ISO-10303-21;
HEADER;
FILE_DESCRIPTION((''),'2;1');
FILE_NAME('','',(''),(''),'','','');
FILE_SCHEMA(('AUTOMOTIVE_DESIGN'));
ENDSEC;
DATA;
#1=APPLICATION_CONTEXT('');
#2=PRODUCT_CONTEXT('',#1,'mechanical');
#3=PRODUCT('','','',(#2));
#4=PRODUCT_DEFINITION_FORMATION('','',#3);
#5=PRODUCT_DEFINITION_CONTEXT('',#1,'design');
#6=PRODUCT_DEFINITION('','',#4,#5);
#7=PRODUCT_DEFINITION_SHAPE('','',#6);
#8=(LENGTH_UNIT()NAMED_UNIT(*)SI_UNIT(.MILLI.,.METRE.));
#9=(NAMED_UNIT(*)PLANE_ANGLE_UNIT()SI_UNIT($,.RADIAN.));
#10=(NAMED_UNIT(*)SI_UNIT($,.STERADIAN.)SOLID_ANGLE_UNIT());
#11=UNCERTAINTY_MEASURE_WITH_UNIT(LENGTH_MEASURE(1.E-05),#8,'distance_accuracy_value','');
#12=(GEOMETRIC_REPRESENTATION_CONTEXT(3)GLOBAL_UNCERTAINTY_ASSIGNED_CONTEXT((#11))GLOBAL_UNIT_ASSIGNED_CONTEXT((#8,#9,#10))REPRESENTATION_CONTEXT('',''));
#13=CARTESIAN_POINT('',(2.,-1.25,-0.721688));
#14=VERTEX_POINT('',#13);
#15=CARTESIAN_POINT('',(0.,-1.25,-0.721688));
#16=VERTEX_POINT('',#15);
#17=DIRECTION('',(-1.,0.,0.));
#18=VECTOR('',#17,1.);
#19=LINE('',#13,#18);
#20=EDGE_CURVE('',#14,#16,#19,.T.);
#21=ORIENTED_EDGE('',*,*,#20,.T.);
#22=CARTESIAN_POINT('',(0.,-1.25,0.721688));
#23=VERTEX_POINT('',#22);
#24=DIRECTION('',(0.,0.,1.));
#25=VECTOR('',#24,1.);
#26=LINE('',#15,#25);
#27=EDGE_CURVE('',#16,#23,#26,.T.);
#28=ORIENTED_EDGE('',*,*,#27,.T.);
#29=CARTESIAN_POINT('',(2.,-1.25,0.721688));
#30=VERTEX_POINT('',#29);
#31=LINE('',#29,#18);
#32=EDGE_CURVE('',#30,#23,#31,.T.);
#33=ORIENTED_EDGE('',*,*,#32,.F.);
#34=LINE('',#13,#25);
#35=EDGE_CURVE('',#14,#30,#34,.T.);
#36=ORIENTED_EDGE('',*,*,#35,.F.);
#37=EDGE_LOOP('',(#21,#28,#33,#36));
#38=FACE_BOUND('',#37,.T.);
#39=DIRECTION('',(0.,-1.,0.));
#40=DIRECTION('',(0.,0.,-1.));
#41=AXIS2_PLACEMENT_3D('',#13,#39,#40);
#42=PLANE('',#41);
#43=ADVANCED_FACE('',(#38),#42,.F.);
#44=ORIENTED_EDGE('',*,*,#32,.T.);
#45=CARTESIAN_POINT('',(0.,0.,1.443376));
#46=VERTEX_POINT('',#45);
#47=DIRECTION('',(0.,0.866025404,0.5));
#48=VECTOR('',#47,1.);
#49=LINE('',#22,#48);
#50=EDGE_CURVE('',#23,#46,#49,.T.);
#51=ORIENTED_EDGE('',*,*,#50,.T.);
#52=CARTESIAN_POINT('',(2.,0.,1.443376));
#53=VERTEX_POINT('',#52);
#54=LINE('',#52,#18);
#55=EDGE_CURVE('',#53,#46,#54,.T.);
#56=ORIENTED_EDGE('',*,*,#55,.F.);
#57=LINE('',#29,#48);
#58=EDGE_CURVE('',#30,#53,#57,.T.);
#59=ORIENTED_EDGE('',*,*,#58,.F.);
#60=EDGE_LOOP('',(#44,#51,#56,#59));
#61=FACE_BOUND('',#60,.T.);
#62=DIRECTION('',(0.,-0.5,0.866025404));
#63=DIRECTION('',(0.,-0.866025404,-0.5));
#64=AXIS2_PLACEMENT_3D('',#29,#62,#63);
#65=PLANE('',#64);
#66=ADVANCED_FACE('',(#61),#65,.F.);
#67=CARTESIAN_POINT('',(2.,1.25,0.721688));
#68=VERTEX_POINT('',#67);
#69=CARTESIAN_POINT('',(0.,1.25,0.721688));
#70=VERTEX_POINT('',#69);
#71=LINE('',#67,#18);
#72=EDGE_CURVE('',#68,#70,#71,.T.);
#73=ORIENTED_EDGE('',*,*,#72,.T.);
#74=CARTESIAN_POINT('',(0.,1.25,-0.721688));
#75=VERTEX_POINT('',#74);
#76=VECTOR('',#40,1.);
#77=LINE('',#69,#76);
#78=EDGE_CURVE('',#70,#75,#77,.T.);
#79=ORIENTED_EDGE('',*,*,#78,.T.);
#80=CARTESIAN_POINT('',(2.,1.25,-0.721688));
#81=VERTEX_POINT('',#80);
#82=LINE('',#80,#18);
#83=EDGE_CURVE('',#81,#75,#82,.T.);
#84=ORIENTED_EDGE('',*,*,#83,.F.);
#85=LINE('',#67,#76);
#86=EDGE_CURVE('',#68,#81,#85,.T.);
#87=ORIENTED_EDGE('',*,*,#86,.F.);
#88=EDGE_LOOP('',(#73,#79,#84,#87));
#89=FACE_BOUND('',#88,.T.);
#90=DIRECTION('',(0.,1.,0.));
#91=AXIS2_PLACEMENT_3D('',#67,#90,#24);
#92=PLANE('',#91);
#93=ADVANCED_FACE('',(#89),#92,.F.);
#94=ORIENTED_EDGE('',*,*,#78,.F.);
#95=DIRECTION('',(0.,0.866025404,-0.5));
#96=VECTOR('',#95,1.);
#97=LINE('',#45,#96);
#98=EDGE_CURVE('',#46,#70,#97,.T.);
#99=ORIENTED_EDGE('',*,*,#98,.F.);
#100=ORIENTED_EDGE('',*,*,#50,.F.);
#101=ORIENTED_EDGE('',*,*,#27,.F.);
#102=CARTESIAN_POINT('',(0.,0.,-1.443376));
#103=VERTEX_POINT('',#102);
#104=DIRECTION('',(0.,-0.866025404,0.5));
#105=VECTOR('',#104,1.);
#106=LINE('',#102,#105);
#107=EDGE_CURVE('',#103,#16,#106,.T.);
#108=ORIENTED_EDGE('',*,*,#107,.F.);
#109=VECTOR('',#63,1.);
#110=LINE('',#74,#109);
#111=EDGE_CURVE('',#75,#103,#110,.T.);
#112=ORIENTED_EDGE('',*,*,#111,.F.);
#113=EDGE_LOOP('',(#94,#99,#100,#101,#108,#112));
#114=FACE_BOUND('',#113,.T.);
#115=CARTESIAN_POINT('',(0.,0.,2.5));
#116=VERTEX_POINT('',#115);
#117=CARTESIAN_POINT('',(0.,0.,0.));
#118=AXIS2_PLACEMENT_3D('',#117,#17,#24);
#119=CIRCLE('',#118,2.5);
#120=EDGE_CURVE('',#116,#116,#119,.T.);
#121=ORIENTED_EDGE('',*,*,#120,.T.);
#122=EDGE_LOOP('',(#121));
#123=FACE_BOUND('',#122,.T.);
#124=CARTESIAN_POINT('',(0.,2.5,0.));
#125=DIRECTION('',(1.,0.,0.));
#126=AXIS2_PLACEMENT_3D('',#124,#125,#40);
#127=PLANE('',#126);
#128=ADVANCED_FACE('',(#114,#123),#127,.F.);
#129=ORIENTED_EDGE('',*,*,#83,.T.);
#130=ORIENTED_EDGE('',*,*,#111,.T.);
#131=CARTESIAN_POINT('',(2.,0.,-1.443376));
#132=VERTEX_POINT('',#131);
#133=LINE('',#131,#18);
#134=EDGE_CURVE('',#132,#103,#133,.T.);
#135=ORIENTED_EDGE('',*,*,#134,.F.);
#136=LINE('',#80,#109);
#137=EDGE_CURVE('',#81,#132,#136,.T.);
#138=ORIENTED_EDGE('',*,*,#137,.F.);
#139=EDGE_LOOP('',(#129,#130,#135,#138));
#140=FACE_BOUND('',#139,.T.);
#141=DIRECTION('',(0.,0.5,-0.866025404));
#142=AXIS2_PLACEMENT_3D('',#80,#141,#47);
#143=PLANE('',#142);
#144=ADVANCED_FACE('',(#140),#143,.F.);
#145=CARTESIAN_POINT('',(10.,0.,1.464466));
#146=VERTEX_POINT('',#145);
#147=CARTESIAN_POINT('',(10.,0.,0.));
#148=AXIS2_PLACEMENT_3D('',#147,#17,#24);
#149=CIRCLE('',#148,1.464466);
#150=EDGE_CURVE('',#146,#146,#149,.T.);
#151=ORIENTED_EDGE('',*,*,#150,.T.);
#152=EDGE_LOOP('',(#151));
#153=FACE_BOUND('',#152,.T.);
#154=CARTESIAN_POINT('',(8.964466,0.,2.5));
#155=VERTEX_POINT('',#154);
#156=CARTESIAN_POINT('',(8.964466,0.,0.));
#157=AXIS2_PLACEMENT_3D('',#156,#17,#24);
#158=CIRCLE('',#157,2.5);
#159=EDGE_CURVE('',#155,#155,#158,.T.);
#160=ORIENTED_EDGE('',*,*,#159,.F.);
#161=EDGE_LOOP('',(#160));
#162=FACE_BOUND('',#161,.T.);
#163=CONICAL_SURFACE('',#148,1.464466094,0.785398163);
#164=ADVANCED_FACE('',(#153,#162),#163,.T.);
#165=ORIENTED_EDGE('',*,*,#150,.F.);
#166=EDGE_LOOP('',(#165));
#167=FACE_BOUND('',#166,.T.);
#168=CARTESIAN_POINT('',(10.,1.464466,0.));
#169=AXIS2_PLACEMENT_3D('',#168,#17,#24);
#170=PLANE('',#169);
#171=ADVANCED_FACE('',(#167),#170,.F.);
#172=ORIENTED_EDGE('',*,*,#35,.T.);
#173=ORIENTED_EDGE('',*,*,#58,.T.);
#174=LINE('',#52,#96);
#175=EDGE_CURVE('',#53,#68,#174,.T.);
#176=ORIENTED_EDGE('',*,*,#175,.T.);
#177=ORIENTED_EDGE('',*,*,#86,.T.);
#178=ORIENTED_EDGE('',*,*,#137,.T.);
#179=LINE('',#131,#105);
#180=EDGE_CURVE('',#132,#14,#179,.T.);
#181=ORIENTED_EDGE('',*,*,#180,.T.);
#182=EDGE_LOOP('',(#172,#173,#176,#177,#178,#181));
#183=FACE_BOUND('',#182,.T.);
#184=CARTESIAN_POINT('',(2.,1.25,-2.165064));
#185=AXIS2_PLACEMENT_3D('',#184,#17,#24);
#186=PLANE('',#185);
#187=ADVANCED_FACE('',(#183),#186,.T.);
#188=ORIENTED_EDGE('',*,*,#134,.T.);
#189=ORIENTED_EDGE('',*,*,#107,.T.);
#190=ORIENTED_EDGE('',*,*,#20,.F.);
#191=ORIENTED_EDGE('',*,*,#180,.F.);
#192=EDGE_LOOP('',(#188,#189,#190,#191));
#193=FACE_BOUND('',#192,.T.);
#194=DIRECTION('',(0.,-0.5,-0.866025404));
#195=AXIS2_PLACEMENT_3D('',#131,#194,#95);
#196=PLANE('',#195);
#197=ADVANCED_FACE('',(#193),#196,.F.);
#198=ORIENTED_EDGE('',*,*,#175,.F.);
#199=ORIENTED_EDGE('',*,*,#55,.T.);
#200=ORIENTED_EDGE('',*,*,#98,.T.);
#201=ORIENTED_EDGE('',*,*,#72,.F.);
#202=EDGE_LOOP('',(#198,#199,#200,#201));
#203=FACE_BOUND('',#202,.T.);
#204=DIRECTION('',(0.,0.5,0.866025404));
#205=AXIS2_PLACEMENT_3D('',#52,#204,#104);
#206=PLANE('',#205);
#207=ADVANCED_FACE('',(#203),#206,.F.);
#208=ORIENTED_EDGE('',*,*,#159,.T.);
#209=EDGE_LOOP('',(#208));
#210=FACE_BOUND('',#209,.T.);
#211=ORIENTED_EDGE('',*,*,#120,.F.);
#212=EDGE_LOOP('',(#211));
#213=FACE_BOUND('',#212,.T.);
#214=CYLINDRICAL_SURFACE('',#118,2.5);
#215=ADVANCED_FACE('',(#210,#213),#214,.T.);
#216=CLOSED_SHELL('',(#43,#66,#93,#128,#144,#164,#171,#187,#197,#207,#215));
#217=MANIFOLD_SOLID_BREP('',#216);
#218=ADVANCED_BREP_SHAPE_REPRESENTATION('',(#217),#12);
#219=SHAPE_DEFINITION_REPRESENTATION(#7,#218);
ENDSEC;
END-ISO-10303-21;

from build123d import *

# Parameters (mm, degrees)
CUT_EXTRUDE1_DEPTH = 2


with BuildPart() as part:
    # Sketch1 → Revolve1 (revolve)
    with BuildSketch(Plane.XY, mode=Mode.PRIVATE) as revolve1_sk:
        Polygon((10, 1.464466094), (10, 0), (0, 0), (0, 2.5), (8.964466094, 2.5), align=None)
    revolve(revolve1_sk.sketch.rotate(Axis((0, 0, 0), (1, 0, 0)), 90), axis=Axis((0, 0, 0), (1, 0, 0)))

    # Sketch2 → Cut-Extrude1 (cut)
    with BuildSketch(Plane.ZY):
        Polygon((-0.721687836, 1.25), (-1.443375673, 0), (-0.721687836, -1.25), (0.721687836, -1.25), (1.443375673, 0), (0.721687836, 1.25), align=None)
    extrude(amount=-CUT_EXTRUDE1_DEPTH, mode=Mode.SUBTRACT)


solid = part.part
